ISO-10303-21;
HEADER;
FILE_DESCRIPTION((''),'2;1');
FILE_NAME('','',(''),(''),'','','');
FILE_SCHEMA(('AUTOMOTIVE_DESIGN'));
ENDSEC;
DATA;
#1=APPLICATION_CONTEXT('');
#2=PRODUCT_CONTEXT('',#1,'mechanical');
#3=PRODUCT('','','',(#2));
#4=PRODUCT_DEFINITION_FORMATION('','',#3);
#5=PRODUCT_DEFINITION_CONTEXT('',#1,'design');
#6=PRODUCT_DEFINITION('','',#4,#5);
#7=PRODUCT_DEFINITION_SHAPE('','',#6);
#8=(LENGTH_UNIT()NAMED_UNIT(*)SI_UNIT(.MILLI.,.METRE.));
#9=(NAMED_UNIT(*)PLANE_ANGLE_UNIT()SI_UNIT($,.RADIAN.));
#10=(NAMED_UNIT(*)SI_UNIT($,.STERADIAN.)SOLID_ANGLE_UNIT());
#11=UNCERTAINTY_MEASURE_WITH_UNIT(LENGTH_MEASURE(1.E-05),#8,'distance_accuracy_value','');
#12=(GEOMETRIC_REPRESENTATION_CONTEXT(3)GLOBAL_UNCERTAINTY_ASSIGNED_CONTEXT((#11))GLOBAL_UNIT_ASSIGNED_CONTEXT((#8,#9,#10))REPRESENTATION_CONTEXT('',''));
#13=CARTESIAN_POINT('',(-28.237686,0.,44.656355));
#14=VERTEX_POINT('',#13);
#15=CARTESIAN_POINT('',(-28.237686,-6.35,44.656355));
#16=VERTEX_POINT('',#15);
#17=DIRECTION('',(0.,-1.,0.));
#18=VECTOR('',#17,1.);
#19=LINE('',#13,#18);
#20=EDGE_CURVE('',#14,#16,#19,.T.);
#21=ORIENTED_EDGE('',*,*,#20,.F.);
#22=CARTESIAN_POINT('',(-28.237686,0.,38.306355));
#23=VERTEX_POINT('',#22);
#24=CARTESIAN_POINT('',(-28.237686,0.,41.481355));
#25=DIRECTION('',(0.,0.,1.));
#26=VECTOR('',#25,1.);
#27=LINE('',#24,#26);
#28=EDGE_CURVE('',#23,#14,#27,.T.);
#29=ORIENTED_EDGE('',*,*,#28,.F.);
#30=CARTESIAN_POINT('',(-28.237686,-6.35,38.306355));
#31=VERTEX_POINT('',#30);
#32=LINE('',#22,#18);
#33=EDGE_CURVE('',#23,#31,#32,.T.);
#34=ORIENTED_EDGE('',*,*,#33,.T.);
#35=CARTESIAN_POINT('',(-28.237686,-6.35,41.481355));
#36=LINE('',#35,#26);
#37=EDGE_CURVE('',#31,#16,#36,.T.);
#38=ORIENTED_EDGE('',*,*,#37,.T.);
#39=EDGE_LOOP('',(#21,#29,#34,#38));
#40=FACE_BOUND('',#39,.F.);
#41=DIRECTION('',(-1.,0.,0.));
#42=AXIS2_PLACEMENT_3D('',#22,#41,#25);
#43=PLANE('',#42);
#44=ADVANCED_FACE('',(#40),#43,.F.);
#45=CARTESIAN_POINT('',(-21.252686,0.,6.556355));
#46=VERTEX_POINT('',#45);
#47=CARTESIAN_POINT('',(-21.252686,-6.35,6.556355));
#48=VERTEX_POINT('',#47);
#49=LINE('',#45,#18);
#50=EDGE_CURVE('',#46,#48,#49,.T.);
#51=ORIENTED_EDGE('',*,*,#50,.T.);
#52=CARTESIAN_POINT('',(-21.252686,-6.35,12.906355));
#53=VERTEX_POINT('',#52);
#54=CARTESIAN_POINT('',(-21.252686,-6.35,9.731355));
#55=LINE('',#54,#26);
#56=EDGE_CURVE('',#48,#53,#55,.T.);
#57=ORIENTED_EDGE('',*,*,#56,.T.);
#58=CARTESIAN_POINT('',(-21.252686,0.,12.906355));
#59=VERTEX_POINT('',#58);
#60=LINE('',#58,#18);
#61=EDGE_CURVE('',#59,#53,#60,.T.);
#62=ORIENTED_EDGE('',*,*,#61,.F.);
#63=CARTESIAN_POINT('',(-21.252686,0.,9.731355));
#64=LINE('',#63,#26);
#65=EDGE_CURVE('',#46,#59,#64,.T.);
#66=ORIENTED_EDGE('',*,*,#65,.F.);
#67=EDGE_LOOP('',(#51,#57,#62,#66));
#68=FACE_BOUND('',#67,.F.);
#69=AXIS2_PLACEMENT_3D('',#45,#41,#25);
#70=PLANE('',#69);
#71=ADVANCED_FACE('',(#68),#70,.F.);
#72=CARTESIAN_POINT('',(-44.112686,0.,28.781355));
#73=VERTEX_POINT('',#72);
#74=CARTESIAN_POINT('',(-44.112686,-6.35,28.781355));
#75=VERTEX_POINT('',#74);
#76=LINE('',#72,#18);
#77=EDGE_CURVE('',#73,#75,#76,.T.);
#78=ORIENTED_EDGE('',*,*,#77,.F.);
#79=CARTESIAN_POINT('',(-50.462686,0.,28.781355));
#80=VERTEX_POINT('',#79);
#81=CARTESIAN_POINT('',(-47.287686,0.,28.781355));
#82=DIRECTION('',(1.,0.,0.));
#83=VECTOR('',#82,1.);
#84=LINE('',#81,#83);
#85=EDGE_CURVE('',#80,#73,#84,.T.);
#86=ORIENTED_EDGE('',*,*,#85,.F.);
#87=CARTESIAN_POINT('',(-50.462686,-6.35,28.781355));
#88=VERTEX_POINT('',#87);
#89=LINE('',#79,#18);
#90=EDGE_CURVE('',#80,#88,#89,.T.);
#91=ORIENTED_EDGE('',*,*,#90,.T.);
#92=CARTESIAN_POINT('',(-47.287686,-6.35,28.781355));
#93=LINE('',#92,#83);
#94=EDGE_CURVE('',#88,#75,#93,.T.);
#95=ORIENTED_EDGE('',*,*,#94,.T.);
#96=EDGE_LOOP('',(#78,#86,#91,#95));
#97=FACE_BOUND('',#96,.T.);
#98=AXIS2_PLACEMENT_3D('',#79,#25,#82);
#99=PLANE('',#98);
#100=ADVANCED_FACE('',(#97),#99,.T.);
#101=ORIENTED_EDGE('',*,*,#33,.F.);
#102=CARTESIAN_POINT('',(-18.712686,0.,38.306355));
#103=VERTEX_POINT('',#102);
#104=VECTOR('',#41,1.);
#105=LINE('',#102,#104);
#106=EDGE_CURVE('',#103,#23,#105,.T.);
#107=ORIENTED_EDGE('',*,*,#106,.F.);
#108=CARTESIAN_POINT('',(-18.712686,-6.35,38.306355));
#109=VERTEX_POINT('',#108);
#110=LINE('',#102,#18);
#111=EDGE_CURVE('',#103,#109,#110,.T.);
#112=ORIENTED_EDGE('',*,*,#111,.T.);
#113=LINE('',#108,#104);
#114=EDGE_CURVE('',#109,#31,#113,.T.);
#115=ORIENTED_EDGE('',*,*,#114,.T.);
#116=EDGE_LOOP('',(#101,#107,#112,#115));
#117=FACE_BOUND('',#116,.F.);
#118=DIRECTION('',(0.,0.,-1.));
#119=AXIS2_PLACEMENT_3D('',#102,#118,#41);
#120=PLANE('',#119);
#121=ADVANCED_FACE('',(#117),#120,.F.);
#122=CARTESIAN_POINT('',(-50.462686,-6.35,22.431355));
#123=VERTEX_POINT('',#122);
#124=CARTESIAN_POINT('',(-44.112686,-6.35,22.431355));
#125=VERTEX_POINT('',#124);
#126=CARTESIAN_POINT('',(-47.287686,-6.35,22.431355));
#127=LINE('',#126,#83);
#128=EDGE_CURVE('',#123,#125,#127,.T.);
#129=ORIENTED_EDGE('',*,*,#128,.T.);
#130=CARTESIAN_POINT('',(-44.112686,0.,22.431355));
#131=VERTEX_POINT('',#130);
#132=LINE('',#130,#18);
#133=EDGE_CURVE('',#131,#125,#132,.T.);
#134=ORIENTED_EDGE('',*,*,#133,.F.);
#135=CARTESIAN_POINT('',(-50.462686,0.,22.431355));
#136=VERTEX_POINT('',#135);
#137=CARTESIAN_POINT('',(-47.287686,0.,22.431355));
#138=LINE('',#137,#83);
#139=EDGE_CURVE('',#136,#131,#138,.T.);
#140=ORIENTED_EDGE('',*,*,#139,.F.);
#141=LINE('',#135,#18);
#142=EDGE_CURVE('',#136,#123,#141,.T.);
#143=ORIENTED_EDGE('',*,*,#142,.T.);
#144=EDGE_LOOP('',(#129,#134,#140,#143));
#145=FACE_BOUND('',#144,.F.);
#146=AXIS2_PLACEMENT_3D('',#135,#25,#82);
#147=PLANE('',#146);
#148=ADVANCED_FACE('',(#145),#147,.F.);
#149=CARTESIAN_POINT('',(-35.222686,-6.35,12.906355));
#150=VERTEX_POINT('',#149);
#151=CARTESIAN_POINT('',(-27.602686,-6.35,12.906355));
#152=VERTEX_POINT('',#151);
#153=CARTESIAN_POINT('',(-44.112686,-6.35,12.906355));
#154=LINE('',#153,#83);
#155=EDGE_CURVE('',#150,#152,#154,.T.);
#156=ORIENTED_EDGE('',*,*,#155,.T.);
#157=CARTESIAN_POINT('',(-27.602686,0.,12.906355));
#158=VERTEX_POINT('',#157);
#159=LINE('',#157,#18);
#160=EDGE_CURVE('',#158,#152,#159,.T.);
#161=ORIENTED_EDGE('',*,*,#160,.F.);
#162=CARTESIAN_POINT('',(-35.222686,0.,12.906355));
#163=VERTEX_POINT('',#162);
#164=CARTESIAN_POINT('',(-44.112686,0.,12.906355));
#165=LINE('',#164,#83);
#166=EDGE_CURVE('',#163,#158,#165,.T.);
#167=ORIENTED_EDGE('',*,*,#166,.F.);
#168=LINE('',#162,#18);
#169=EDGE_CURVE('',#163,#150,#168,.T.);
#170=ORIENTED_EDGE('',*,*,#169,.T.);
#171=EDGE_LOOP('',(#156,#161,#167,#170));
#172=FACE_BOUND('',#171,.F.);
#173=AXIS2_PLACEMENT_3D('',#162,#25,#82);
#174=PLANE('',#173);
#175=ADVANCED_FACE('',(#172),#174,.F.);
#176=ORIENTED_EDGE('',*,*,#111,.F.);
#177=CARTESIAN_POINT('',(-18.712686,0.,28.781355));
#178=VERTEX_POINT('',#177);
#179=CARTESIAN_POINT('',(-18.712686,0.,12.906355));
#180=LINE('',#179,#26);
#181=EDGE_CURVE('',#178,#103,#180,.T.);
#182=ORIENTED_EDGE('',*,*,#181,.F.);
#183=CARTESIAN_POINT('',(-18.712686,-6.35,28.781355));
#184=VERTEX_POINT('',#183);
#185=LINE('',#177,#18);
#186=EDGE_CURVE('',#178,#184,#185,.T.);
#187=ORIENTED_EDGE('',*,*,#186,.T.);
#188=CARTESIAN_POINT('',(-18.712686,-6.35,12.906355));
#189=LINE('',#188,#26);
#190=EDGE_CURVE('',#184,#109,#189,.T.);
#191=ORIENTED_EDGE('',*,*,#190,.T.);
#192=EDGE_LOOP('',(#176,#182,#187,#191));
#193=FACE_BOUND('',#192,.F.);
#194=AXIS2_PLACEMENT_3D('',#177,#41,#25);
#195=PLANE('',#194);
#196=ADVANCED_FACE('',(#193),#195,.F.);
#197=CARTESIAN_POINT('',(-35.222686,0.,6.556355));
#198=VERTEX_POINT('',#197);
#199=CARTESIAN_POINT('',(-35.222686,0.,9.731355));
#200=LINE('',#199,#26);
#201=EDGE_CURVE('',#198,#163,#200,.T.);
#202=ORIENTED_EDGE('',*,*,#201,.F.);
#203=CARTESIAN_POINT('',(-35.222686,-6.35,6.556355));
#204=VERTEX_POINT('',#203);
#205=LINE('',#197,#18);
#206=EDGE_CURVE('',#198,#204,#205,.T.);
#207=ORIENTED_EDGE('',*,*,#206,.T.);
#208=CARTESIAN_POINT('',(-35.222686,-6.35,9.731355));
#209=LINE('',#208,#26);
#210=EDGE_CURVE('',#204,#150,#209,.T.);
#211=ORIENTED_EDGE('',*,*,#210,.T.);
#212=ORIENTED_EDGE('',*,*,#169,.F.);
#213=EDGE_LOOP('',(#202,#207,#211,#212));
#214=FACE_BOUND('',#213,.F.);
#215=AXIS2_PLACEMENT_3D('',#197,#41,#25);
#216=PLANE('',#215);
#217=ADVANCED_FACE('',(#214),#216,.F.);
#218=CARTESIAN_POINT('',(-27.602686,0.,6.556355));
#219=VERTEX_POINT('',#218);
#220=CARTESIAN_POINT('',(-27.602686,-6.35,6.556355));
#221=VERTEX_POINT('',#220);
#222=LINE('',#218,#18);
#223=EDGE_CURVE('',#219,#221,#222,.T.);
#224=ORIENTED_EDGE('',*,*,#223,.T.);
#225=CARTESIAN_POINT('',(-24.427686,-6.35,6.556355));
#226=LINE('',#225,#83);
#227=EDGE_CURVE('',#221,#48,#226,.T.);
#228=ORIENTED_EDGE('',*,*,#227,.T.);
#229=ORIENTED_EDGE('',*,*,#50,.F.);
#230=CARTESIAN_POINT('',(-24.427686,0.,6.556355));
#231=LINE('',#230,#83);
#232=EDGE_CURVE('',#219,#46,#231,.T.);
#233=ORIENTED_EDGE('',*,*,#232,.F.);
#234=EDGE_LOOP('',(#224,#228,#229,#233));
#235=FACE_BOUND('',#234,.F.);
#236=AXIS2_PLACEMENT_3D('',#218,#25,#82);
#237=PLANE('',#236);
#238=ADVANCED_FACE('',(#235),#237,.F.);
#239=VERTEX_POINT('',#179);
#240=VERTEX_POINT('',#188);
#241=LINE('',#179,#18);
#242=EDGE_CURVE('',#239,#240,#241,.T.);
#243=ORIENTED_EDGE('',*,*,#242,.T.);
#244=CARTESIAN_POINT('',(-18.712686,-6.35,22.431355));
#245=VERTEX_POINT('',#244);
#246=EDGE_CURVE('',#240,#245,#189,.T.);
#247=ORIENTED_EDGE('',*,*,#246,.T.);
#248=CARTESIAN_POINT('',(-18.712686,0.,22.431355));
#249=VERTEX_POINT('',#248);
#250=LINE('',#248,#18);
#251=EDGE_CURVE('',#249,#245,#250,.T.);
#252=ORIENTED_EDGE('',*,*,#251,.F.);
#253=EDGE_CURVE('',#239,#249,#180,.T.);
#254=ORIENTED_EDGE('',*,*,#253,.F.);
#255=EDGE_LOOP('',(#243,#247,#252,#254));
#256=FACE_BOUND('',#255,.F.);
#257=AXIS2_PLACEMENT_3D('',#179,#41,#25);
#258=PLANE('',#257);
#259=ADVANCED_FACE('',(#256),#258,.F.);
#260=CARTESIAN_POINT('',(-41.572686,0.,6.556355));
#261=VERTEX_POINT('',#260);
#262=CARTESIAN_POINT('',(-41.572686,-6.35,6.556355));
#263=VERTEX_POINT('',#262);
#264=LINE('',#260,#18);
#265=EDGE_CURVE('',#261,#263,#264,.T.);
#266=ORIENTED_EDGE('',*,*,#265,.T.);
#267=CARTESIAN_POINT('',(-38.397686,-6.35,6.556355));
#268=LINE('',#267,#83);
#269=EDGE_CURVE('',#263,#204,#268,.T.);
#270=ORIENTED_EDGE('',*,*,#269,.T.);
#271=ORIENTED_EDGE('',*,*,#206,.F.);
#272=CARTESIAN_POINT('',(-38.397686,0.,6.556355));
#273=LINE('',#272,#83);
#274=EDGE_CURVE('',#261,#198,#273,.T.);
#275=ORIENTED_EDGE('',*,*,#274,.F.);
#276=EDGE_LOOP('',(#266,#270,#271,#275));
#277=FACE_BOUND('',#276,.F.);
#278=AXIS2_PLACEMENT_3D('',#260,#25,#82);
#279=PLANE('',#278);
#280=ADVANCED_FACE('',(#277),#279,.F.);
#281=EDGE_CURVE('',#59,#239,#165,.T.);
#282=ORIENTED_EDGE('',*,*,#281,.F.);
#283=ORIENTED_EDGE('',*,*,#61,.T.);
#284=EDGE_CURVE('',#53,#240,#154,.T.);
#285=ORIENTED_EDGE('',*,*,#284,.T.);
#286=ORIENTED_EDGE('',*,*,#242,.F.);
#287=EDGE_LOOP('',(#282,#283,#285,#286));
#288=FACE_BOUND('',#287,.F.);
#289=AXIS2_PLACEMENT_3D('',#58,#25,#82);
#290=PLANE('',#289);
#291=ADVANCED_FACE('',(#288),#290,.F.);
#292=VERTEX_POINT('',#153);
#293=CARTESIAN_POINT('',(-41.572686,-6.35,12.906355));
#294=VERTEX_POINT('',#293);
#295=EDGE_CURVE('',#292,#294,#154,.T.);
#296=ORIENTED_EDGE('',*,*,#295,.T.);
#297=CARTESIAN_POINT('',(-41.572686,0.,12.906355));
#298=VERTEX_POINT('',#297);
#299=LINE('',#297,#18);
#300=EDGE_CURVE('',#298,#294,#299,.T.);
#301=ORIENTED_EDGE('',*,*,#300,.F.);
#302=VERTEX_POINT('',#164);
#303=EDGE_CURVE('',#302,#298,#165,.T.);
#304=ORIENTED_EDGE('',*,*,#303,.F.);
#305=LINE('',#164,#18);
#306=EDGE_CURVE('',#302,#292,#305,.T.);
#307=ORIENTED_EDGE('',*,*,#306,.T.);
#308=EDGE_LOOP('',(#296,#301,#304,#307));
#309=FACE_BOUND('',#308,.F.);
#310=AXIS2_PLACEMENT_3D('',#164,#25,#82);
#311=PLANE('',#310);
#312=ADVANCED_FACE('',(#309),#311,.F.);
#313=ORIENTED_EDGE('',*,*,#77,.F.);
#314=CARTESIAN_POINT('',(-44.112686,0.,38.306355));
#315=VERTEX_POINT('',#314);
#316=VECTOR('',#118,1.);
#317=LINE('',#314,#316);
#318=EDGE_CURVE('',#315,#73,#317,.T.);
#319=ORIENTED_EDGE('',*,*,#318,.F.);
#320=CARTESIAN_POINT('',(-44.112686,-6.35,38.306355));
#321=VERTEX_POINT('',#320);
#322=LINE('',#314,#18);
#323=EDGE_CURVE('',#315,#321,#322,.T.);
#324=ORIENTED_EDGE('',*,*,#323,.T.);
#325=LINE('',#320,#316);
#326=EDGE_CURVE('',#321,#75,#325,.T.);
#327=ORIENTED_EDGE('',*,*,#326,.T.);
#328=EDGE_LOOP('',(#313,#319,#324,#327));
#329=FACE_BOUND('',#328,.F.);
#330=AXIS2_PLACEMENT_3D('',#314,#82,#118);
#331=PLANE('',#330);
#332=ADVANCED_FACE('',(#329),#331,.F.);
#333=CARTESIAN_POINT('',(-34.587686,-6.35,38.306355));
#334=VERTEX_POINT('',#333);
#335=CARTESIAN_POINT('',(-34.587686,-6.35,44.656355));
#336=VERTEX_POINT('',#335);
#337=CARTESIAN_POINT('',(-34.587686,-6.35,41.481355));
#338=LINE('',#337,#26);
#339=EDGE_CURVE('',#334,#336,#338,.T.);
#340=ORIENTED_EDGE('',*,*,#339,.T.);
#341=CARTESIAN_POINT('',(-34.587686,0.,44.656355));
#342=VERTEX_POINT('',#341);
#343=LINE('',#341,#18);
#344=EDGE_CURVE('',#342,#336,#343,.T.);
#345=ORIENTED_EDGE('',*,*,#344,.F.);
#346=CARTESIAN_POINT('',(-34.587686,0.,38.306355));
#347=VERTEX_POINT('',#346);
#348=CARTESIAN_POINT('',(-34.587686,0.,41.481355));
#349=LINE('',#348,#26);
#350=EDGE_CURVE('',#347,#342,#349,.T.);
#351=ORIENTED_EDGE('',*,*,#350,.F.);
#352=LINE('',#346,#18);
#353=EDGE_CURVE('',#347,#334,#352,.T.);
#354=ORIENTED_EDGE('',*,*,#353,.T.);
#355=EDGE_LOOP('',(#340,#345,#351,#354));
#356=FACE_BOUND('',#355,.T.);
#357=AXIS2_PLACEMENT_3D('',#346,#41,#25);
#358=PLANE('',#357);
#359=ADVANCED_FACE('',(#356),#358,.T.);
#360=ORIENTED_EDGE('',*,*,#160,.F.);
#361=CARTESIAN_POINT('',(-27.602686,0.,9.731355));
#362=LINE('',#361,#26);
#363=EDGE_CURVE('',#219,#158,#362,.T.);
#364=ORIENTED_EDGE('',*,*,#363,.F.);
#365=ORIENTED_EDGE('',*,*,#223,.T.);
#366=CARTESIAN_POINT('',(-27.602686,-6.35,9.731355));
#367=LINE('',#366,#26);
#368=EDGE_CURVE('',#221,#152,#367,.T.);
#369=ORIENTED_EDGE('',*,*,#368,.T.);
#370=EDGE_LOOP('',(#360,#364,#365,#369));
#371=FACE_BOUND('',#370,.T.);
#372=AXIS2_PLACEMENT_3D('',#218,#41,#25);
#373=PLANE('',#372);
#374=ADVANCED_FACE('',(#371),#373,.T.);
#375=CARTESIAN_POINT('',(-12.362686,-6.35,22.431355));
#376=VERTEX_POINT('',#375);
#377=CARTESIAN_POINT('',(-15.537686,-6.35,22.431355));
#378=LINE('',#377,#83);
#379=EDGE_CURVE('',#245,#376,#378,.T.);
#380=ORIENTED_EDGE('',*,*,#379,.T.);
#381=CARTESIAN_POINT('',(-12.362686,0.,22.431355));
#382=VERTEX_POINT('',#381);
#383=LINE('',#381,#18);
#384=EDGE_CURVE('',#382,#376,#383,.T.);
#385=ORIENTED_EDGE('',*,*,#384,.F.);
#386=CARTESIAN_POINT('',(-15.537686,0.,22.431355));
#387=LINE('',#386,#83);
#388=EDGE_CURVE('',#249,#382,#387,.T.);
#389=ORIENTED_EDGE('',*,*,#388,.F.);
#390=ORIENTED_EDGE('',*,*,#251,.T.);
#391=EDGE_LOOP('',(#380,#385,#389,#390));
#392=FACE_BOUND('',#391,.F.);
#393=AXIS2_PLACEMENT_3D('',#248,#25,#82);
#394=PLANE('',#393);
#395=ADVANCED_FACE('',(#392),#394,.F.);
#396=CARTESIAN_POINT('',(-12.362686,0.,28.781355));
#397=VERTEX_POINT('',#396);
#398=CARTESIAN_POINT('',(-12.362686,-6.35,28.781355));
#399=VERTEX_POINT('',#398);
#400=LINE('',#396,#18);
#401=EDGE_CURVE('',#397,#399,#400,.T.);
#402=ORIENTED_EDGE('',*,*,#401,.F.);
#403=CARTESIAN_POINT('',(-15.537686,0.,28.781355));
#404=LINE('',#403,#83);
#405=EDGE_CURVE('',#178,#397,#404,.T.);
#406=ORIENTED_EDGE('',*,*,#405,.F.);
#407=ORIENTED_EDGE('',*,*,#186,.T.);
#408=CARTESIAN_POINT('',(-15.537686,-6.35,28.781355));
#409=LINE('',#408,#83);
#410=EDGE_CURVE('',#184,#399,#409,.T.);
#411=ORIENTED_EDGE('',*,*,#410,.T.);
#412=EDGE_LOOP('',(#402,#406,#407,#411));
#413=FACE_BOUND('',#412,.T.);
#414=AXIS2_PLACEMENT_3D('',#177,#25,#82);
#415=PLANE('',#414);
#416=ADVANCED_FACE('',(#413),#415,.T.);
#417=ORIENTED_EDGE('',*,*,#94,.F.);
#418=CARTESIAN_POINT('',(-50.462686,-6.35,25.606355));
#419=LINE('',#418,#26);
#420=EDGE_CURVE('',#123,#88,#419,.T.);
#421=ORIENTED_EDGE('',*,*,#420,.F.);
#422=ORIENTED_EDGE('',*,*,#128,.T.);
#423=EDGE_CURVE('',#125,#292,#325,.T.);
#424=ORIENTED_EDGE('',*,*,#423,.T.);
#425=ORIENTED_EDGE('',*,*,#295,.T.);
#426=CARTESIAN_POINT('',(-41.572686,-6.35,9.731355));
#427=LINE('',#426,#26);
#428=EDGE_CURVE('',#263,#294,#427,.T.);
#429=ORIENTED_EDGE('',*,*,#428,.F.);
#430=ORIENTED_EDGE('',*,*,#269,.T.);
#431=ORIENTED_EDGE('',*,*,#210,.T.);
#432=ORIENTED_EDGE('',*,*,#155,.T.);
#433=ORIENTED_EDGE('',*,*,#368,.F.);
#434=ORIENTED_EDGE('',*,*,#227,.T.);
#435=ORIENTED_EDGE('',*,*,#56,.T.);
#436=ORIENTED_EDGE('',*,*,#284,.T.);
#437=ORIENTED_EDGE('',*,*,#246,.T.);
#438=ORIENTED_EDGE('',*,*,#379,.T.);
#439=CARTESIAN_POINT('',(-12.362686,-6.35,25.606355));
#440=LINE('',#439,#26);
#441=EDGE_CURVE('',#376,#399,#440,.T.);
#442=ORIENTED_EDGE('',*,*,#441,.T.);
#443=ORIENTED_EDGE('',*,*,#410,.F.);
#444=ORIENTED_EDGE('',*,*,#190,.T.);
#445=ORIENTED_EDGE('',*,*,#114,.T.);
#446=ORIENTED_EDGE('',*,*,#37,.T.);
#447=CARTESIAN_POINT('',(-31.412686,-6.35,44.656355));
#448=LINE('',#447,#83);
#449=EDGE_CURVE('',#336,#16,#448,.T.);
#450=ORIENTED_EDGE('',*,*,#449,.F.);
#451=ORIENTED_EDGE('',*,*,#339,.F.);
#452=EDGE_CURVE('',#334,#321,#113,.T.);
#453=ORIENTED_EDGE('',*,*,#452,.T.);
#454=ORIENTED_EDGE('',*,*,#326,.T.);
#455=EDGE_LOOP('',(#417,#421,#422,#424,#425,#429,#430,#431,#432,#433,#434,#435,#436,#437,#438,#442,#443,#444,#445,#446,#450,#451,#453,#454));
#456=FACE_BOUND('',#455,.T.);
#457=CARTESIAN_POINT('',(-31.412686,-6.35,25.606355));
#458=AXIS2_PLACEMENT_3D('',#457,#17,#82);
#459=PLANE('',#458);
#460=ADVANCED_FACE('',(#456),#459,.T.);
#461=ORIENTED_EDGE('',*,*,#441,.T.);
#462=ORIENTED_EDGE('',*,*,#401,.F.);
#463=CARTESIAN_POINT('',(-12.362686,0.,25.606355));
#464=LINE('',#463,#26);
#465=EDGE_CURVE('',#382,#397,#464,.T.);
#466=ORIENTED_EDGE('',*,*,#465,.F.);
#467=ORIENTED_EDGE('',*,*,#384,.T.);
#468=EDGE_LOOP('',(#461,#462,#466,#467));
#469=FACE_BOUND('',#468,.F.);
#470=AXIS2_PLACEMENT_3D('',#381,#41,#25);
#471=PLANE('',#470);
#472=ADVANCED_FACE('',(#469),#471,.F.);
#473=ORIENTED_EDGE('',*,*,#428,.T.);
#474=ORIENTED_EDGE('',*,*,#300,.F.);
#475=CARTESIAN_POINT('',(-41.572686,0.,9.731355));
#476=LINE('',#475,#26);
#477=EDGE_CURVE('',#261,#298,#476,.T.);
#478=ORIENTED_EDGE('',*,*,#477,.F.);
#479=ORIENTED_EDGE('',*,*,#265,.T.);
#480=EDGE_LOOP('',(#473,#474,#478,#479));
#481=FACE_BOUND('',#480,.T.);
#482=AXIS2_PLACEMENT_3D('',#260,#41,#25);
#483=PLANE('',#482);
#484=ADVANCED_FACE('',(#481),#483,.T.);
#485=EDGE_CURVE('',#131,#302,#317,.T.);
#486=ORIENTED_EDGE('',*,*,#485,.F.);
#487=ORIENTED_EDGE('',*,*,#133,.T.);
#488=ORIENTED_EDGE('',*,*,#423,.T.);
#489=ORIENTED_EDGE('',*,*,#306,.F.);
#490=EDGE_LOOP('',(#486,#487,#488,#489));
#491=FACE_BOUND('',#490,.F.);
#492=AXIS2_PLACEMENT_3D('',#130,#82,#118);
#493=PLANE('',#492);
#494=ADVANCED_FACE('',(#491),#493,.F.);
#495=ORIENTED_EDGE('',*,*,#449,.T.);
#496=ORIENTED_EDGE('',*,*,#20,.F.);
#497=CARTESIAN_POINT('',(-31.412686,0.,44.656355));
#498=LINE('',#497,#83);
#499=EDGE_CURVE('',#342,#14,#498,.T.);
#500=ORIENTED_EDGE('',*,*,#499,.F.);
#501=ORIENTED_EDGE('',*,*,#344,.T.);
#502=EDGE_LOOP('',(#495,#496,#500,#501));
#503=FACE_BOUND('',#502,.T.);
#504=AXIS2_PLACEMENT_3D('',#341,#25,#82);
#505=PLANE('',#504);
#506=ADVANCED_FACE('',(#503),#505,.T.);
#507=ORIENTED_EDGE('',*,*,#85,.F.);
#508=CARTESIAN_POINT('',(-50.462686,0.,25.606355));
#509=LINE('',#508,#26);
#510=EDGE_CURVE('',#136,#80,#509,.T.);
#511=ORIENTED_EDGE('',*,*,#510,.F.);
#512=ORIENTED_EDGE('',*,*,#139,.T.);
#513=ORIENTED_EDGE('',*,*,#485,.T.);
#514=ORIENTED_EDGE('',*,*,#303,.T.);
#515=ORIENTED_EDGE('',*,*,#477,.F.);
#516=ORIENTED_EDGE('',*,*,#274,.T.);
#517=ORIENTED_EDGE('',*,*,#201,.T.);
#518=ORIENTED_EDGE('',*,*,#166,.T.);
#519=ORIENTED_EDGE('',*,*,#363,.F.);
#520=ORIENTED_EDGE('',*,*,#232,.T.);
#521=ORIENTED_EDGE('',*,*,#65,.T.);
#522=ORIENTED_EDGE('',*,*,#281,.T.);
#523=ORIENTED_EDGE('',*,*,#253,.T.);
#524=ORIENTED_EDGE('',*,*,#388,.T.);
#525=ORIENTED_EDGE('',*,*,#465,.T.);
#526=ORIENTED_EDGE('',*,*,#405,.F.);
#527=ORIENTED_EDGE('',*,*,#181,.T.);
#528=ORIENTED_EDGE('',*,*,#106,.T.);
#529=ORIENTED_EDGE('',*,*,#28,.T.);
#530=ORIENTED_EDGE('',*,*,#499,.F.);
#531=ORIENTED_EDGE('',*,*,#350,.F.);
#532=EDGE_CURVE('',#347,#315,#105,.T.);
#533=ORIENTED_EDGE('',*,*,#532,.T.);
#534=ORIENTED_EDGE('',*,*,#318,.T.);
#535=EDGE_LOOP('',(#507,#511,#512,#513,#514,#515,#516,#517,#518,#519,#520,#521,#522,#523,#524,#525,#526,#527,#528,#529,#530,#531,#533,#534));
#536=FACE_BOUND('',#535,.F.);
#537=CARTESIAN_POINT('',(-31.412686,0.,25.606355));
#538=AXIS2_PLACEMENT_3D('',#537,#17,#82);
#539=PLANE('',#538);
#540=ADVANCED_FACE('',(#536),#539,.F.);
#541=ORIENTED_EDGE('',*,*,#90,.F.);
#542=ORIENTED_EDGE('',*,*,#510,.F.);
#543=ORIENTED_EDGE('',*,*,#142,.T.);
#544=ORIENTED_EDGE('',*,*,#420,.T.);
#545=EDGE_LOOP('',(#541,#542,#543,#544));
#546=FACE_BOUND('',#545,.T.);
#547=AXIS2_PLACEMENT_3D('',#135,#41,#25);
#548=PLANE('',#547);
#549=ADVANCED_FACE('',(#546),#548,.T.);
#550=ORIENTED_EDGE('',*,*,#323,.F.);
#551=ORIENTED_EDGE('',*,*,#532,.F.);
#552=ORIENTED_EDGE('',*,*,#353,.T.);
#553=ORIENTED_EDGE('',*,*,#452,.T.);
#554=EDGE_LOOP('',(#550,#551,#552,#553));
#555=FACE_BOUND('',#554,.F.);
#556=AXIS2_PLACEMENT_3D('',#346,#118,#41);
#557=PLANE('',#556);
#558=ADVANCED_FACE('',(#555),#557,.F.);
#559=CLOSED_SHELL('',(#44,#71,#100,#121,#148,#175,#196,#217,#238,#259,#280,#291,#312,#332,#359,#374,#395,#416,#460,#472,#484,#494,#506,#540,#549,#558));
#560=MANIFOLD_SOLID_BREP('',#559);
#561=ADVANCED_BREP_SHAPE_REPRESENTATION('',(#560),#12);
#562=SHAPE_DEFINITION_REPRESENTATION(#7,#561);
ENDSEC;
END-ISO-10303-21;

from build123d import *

# Parameters (mm, degrees)
F0_W     = 6.35
F0_H     = 6.35
F1_DEPTH = 6.35


with BuildPart() as f1:
    # F0 (on Front) → F1 (new body)
    with BuildSketch(Plane.XZ):
        Polygon((-34.587686, 38.306355), (-44.112686, 38.306355), (-44.112686, 28.781355), (-44.112686, 22.431355), (-44.112686, 12.906355), (-41.572686, 12.906355), (-35.222686, 12.906355), (-27.602686, 12.906355), (-21.252686, 12.906355), (-18.712686, 12.906355), (-18.712686, 22.431355), (-18.712686, 28.781355), (-18.712686, 38.306355), (-28.237686, 38.306355), align=None)
        with Locations((-31.412686, 41.481355)):
            Rectangle(F0_W, F0_H)
        with Locations((-47.287686, 25.606355)):
            Rectangle(F0_W, F0_H)
        with Locations((-15.537686, 25.606355)):
            Rectangle(F0_W, F0_H)
        with Locations((-38.397686, 9.731355)):
            Rectangle(F0_W, F0_H)
        with Locations((-24.427686, 9.731355)):
            Rectangle(F0_W, F0_H)
    extrude(amount=F1_DEPTH)


solid = f1.part
